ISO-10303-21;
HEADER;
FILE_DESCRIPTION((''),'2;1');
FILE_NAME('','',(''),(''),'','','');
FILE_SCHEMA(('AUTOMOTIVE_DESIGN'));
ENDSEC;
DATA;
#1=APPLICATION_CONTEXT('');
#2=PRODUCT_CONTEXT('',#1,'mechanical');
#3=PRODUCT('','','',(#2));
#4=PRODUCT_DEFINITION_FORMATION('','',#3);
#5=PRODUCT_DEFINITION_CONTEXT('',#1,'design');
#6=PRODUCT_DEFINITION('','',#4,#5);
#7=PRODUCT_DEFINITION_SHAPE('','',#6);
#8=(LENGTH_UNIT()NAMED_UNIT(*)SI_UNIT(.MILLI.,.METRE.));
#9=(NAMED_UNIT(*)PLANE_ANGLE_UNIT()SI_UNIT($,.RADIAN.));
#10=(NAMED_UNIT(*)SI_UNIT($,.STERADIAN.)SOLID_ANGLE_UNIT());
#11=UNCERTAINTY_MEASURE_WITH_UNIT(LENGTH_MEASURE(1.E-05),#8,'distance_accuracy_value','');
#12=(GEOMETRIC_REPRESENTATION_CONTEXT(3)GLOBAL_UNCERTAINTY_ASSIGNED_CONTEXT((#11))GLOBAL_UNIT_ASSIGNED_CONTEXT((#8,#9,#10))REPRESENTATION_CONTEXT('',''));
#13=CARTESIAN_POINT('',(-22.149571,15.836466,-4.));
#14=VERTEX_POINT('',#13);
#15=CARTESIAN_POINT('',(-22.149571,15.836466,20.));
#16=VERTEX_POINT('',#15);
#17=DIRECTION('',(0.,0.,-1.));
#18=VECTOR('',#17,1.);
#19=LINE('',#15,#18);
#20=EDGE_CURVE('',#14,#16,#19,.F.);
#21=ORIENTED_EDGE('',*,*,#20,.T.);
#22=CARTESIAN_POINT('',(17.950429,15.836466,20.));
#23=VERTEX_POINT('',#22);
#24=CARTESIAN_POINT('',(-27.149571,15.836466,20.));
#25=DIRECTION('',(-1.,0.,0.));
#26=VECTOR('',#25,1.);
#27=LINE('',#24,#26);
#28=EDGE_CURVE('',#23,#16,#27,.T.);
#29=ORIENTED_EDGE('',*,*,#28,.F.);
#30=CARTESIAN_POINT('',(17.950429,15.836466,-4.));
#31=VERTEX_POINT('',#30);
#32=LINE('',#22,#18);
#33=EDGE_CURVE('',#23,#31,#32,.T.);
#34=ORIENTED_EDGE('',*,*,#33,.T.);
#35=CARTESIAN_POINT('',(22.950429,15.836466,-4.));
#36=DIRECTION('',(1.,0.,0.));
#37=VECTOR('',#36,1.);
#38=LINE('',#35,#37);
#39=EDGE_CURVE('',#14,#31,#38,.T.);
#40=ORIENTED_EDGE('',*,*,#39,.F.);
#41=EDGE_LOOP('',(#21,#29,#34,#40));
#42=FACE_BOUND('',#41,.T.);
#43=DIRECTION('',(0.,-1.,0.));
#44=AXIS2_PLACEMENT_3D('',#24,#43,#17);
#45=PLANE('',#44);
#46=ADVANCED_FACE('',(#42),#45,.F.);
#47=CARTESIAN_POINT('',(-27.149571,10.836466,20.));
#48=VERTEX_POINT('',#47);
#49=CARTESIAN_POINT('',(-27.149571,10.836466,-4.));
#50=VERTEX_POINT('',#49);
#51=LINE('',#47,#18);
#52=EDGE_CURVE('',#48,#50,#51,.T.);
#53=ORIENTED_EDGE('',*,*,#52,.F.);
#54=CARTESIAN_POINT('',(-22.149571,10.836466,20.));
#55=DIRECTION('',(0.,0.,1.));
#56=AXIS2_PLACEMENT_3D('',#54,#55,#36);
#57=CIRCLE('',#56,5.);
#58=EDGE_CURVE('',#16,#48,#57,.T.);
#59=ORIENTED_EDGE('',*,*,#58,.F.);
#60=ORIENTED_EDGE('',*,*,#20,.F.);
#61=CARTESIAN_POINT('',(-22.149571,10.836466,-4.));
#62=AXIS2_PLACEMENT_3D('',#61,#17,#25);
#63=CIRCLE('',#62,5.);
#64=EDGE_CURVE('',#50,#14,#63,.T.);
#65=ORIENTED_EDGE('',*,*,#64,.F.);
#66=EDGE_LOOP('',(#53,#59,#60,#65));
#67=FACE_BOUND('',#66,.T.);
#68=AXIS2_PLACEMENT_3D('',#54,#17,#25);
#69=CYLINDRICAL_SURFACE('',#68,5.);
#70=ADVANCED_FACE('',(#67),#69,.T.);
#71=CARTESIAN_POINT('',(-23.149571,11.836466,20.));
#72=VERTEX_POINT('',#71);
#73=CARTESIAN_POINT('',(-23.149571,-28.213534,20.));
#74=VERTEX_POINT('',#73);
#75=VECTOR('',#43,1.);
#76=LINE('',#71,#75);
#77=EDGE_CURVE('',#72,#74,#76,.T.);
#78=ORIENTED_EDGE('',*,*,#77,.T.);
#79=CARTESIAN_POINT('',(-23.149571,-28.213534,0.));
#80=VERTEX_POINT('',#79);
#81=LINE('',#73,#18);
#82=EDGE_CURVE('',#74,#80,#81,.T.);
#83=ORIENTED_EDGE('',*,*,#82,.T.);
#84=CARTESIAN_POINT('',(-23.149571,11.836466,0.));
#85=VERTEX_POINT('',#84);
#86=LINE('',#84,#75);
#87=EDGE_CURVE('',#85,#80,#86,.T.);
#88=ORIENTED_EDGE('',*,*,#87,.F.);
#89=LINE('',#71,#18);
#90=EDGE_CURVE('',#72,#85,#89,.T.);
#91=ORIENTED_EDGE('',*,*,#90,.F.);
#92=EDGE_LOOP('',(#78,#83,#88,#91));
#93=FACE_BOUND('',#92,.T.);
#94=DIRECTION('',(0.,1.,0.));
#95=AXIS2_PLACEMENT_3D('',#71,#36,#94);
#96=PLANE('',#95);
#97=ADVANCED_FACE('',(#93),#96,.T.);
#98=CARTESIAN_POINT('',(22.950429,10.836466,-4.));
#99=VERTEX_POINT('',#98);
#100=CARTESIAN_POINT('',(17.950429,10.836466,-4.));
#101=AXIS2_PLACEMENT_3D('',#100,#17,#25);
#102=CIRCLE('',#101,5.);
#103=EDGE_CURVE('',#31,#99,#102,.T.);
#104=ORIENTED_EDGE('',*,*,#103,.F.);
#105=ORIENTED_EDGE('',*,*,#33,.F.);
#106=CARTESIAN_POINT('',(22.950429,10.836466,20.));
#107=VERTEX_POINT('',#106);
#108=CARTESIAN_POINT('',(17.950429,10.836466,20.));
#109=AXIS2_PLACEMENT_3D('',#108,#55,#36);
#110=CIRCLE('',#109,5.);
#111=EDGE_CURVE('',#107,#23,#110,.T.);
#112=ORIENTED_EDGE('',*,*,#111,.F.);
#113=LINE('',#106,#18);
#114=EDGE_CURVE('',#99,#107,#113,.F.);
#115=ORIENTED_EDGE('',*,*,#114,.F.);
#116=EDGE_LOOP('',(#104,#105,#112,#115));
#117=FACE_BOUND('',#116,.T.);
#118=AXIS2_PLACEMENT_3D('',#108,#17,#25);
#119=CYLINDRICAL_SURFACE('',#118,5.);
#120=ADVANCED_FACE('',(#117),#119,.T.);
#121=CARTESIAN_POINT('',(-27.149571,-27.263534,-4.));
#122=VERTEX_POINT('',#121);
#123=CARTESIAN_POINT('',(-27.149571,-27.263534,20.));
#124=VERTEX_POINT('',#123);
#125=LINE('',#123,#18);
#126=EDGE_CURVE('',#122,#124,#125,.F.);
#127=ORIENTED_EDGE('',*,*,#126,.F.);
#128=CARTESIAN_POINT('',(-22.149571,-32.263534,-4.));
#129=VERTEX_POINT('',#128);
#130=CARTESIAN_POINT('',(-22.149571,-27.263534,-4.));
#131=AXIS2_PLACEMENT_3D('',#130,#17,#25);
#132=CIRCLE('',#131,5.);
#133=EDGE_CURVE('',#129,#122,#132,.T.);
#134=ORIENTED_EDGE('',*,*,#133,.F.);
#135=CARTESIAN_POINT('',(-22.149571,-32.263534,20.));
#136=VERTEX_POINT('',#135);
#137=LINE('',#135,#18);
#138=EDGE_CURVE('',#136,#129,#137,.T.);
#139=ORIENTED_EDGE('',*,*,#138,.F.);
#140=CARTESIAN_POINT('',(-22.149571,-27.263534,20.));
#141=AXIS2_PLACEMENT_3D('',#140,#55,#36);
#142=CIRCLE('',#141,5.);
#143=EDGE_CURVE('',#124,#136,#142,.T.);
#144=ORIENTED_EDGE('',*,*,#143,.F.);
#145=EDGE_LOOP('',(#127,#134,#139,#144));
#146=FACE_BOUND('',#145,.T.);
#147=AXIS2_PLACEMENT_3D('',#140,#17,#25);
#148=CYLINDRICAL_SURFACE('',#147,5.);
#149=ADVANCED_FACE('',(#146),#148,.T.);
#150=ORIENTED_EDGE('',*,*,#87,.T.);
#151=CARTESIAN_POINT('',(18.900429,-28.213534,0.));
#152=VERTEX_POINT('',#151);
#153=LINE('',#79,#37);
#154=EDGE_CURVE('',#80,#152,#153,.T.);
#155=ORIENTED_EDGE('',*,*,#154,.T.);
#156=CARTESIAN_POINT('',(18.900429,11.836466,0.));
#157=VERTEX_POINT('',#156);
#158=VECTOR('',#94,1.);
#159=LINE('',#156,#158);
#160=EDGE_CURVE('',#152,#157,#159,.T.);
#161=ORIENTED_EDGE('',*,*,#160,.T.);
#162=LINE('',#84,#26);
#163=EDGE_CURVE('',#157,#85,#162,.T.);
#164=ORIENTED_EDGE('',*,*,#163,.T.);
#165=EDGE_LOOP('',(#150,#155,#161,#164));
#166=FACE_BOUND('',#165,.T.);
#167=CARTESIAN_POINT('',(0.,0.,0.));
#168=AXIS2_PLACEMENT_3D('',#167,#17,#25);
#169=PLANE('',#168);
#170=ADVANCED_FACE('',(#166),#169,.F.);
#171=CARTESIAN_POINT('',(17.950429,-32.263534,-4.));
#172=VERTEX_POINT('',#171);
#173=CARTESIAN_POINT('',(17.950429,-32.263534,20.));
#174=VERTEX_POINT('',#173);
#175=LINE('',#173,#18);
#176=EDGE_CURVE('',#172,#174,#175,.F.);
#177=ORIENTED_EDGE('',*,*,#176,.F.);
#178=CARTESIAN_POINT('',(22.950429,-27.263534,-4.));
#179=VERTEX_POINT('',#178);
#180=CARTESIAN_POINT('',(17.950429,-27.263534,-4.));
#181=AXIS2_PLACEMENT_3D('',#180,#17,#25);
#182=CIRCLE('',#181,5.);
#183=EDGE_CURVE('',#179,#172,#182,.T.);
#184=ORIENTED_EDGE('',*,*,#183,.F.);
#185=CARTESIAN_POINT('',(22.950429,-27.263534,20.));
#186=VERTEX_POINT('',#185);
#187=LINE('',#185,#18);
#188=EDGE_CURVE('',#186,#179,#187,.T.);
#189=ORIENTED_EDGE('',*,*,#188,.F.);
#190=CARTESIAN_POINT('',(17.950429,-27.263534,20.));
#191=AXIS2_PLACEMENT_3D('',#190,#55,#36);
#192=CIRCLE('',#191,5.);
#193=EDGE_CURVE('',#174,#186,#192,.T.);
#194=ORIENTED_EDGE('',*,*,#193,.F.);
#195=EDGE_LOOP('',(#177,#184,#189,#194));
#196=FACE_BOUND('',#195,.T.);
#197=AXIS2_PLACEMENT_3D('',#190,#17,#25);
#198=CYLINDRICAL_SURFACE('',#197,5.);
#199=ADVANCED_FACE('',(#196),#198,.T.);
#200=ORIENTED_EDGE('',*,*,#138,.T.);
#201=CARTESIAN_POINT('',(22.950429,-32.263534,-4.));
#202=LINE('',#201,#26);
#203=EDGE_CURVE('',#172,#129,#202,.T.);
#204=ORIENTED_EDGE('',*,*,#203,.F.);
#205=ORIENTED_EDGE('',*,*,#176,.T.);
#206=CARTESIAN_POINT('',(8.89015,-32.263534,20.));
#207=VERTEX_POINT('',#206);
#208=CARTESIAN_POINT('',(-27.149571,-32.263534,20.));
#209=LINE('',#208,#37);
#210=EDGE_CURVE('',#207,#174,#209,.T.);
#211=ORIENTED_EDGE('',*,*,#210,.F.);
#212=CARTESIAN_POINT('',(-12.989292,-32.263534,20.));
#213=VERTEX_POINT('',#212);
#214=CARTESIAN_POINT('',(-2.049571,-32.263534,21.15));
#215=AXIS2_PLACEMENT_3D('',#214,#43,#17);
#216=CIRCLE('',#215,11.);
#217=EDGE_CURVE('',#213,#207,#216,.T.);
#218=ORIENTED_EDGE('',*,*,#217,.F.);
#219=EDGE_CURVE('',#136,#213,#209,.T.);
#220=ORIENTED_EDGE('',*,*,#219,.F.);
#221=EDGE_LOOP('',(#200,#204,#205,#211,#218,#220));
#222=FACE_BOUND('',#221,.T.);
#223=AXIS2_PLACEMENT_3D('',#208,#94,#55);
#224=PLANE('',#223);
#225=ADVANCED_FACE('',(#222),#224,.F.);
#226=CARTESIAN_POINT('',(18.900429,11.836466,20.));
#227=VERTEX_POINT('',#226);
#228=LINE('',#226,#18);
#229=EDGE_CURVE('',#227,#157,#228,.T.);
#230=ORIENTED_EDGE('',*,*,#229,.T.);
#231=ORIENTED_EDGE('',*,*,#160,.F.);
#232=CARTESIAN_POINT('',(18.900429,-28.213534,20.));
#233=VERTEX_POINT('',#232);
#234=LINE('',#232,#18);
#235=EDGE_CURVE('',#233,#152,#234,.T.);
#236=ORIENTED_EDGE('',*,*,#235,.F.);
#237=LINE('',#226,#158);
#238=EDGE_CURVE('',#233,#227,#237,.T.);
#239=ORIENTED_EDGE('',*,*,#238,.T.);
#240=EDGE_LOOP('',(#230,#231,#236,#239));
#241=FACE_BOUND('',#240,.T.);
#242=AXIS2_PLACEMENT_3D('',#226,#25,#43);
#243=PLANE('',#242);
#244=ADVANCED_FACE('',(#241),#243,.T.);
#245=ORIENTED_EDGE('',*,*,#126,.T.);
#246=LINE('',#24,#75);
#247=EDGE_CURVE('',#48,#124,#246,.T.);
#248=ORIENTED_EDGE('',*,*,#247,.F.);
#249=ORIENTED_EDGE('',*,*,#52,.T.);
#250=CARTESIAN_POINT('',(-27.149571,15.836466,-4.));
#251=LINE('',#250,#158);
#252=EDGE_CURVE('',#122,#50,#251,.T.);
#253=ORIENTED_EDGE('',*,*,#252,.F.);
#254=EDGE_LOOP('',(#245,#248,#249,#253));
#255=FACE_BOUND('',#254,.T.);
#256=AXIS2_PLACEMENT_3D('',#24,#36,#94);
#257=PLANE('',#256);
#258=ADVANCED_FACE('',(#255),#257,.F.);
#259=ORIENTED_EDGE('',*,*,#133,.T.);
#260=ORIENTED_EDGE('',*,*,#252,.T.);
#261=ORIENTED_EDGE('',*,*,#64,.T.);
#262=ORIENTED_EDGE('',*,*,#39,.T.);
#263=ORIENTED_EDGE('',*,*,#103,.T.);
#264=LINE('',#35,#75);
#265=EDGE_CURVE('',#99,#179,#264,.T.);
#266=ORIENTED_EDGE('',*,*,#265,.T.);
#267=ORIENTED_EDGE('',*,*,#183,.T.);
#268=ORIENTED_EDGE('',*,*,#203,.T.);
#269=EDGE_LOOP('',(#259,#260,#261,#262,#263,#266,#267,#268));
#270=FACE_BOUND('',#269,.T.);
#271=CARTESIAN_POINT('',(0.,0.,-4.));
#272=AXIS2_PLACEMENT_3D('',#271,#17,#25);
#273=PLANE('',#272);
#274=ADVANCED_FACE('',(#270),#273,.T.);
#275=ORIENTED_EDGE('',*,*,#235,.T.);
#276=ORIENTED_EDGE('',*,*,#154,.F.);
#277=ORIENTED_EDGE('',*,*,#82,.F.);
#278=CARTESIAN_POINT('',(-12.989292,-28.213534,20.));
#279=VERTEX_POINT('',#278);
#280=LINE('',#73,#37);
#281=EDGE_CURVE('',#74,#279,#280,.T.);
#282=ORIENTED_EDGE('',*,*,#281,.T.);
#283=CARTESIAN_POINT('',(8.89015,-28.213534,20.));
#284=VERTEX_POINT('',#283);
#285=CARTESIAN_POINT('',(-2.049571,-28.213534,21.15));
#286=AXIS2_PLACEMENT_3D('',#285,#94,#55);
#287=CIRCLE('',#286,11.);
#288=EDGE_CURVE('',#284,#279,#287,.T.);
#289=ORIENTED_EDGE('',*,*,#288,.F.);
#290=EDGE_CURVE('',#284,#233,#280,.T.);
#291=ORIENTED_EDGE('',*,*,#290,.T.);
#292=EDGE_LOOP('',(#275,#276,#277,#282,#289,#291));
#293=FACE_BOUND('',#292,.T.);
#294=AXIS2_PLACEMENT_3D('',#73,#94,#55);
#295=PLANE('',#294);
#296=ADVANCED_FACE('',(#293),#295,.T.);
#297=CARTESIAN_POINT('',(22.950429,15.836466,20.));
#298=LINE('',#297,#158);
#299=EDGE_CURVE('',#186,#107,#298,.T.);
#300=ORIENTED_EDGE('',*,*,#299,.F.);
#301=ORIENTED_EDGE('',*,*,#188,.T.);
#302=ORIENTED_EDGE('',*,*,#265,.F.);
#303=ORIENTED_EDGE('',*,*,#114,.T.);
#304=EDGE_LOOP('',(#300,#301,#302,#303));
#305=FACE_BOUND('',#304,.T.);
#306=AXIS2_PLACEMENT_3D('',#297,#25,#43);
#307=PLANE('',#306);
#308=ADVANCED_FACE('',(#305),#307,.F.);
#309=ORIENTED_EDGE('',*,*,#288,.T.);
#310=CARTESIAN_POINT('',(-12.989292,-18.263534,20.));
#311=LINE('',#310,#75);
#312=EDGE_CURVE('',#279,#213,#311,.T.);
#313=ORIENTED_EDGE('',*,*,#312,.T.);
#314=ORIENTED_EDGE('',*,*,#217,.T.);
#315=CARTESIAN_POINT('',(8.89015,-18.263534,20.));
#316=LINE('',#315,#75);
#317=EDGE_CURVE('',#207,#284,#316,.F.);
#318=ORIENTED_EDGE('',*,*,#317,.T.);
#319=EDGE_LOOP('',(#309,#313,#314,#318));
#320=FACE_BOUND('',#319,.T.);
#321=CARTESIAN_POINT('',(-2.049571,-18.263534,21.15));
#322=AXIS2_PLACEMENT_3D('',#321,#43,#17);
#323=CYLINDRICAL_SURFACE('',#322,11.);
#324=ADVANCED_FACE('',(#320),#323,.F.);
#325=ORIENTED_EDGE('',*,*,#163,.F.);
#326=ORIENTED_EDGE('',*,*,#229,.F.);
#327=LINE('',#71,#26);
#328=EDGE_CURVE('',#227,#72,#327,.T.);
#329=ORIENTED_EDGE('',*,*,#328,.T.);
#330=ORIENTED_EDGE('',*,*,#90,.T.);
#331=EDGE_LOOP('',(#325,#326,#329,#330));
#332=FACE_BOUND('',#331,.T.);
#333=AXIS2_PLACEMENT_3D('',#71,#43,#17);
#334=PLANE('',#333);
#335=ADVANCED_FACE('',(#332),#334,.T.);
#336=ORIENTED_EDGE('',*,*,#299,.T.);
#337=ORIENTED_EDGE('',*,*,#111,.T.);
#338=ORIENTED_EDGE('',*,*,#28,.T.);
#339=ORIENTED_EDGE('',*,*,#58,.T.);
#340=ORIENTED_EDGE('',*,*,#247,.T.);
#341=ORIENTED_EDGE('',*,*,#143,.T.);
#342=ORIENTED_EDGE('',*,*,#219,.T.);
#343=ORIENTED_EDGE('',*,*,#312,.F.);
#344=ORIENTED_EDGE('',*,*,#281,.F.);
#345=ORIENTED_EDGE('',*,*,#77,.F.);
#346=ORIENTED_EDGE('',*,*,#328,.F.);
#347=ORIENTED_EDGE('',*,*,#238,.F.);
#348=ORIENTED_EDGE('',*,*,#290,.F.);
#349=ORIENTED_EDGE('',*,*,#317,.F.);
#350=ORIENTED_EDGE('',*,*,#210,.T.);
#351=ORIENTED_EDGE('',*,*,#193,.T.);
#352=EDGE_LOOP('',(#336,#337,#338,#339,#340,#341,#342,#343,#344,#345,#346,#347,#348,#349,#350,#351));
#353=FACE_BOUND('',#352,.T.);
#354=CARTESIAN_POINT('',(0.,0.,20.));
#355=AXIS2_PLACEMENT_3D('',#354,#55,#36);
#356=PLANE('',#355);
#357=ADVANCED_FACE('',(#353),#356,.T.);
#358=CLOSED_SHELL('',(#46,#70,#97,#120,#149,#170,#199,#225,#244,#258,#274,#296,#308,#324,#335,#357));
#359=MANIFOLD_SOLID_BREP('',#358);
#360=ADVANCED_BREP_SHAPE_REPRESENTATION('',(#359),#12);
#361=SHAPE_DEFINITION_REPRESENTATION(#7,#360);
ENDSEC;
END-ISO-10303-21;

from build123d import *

# Parameters (mm, degrees)
ESBO_O1_W                = 50.1
ESBO_O1_H                = 48.1
ESBO_O1_W_2              = 42.05
ESBO_O1_H_2              = 40.05
RESSALTO_EXTRUS_O1_DEPTH = 20
ESBO_O3_W                = 50.1
ESBO_O3_H                = 48.1
RESSALTO_EXTRUS_O3_DEPTH = 4
ESBO_O4_R                = 11
CORTE_EXTRUS_O1_DEPTH    = 14
FILETE2_R                = 5


with BuildPart() as part:
    # Esboço1 → Ressalto-extrusão1 (new body)
    with BuildSketch(Plane.XY):
        with Locations((-2.099570717, -8.213533835)):
            Rectangle(ESBO_O1_W, ESBO_O1_H)
        with Locations((-2.124570717, -8.188533835)):
            Rectangle(ESBO_O1_W_2, ESBO_O1_H_2, mode=Mode.SUBTRACT)
    extrude(amount=RESSALTO_EXTRUS_O1_DEPTH)

    # Esboço3 → Ressalto-extrusão3 (add)
    with BuildSketch(Plane(origin=(0, 0, 0), x_dir=(-1, 0, 0), z_dir=(0, 0, -1))):
        with Locations((2.099570717, -8.213533835)):
            Rectangle(ESBO_O3_W, ESBO_O3_H)
    extrude(amount=RESSALTO_EXTRUS_O3_DEPTH)

    # Esboço4 → Corte-extrusão1 (cut)
    with BuildSketch(Plane.XZ.offset(32.263533835)):
        with Locations((-2.049570717, 21.15)):
            Circle(ESBO_O4_R)
    extrude(amount=-CORTE_EXTRUS_O1_DEPTH, mode=Mode.SUBTRACT)

    # Filete2
    filete2_edges = [part.edges().sort_by_distance(p)[0] for p in [
        (-27.149570717, 15.836466165, 8),
        (22.950429283, 15.836466165, 8),
        (22.950429283, -32.263533835, 8),
        (-27.149570717, -32.263533835, 8),
    ]]
    fillet(filete2_edges, radius=FILETE2_R)


solid = part.part
